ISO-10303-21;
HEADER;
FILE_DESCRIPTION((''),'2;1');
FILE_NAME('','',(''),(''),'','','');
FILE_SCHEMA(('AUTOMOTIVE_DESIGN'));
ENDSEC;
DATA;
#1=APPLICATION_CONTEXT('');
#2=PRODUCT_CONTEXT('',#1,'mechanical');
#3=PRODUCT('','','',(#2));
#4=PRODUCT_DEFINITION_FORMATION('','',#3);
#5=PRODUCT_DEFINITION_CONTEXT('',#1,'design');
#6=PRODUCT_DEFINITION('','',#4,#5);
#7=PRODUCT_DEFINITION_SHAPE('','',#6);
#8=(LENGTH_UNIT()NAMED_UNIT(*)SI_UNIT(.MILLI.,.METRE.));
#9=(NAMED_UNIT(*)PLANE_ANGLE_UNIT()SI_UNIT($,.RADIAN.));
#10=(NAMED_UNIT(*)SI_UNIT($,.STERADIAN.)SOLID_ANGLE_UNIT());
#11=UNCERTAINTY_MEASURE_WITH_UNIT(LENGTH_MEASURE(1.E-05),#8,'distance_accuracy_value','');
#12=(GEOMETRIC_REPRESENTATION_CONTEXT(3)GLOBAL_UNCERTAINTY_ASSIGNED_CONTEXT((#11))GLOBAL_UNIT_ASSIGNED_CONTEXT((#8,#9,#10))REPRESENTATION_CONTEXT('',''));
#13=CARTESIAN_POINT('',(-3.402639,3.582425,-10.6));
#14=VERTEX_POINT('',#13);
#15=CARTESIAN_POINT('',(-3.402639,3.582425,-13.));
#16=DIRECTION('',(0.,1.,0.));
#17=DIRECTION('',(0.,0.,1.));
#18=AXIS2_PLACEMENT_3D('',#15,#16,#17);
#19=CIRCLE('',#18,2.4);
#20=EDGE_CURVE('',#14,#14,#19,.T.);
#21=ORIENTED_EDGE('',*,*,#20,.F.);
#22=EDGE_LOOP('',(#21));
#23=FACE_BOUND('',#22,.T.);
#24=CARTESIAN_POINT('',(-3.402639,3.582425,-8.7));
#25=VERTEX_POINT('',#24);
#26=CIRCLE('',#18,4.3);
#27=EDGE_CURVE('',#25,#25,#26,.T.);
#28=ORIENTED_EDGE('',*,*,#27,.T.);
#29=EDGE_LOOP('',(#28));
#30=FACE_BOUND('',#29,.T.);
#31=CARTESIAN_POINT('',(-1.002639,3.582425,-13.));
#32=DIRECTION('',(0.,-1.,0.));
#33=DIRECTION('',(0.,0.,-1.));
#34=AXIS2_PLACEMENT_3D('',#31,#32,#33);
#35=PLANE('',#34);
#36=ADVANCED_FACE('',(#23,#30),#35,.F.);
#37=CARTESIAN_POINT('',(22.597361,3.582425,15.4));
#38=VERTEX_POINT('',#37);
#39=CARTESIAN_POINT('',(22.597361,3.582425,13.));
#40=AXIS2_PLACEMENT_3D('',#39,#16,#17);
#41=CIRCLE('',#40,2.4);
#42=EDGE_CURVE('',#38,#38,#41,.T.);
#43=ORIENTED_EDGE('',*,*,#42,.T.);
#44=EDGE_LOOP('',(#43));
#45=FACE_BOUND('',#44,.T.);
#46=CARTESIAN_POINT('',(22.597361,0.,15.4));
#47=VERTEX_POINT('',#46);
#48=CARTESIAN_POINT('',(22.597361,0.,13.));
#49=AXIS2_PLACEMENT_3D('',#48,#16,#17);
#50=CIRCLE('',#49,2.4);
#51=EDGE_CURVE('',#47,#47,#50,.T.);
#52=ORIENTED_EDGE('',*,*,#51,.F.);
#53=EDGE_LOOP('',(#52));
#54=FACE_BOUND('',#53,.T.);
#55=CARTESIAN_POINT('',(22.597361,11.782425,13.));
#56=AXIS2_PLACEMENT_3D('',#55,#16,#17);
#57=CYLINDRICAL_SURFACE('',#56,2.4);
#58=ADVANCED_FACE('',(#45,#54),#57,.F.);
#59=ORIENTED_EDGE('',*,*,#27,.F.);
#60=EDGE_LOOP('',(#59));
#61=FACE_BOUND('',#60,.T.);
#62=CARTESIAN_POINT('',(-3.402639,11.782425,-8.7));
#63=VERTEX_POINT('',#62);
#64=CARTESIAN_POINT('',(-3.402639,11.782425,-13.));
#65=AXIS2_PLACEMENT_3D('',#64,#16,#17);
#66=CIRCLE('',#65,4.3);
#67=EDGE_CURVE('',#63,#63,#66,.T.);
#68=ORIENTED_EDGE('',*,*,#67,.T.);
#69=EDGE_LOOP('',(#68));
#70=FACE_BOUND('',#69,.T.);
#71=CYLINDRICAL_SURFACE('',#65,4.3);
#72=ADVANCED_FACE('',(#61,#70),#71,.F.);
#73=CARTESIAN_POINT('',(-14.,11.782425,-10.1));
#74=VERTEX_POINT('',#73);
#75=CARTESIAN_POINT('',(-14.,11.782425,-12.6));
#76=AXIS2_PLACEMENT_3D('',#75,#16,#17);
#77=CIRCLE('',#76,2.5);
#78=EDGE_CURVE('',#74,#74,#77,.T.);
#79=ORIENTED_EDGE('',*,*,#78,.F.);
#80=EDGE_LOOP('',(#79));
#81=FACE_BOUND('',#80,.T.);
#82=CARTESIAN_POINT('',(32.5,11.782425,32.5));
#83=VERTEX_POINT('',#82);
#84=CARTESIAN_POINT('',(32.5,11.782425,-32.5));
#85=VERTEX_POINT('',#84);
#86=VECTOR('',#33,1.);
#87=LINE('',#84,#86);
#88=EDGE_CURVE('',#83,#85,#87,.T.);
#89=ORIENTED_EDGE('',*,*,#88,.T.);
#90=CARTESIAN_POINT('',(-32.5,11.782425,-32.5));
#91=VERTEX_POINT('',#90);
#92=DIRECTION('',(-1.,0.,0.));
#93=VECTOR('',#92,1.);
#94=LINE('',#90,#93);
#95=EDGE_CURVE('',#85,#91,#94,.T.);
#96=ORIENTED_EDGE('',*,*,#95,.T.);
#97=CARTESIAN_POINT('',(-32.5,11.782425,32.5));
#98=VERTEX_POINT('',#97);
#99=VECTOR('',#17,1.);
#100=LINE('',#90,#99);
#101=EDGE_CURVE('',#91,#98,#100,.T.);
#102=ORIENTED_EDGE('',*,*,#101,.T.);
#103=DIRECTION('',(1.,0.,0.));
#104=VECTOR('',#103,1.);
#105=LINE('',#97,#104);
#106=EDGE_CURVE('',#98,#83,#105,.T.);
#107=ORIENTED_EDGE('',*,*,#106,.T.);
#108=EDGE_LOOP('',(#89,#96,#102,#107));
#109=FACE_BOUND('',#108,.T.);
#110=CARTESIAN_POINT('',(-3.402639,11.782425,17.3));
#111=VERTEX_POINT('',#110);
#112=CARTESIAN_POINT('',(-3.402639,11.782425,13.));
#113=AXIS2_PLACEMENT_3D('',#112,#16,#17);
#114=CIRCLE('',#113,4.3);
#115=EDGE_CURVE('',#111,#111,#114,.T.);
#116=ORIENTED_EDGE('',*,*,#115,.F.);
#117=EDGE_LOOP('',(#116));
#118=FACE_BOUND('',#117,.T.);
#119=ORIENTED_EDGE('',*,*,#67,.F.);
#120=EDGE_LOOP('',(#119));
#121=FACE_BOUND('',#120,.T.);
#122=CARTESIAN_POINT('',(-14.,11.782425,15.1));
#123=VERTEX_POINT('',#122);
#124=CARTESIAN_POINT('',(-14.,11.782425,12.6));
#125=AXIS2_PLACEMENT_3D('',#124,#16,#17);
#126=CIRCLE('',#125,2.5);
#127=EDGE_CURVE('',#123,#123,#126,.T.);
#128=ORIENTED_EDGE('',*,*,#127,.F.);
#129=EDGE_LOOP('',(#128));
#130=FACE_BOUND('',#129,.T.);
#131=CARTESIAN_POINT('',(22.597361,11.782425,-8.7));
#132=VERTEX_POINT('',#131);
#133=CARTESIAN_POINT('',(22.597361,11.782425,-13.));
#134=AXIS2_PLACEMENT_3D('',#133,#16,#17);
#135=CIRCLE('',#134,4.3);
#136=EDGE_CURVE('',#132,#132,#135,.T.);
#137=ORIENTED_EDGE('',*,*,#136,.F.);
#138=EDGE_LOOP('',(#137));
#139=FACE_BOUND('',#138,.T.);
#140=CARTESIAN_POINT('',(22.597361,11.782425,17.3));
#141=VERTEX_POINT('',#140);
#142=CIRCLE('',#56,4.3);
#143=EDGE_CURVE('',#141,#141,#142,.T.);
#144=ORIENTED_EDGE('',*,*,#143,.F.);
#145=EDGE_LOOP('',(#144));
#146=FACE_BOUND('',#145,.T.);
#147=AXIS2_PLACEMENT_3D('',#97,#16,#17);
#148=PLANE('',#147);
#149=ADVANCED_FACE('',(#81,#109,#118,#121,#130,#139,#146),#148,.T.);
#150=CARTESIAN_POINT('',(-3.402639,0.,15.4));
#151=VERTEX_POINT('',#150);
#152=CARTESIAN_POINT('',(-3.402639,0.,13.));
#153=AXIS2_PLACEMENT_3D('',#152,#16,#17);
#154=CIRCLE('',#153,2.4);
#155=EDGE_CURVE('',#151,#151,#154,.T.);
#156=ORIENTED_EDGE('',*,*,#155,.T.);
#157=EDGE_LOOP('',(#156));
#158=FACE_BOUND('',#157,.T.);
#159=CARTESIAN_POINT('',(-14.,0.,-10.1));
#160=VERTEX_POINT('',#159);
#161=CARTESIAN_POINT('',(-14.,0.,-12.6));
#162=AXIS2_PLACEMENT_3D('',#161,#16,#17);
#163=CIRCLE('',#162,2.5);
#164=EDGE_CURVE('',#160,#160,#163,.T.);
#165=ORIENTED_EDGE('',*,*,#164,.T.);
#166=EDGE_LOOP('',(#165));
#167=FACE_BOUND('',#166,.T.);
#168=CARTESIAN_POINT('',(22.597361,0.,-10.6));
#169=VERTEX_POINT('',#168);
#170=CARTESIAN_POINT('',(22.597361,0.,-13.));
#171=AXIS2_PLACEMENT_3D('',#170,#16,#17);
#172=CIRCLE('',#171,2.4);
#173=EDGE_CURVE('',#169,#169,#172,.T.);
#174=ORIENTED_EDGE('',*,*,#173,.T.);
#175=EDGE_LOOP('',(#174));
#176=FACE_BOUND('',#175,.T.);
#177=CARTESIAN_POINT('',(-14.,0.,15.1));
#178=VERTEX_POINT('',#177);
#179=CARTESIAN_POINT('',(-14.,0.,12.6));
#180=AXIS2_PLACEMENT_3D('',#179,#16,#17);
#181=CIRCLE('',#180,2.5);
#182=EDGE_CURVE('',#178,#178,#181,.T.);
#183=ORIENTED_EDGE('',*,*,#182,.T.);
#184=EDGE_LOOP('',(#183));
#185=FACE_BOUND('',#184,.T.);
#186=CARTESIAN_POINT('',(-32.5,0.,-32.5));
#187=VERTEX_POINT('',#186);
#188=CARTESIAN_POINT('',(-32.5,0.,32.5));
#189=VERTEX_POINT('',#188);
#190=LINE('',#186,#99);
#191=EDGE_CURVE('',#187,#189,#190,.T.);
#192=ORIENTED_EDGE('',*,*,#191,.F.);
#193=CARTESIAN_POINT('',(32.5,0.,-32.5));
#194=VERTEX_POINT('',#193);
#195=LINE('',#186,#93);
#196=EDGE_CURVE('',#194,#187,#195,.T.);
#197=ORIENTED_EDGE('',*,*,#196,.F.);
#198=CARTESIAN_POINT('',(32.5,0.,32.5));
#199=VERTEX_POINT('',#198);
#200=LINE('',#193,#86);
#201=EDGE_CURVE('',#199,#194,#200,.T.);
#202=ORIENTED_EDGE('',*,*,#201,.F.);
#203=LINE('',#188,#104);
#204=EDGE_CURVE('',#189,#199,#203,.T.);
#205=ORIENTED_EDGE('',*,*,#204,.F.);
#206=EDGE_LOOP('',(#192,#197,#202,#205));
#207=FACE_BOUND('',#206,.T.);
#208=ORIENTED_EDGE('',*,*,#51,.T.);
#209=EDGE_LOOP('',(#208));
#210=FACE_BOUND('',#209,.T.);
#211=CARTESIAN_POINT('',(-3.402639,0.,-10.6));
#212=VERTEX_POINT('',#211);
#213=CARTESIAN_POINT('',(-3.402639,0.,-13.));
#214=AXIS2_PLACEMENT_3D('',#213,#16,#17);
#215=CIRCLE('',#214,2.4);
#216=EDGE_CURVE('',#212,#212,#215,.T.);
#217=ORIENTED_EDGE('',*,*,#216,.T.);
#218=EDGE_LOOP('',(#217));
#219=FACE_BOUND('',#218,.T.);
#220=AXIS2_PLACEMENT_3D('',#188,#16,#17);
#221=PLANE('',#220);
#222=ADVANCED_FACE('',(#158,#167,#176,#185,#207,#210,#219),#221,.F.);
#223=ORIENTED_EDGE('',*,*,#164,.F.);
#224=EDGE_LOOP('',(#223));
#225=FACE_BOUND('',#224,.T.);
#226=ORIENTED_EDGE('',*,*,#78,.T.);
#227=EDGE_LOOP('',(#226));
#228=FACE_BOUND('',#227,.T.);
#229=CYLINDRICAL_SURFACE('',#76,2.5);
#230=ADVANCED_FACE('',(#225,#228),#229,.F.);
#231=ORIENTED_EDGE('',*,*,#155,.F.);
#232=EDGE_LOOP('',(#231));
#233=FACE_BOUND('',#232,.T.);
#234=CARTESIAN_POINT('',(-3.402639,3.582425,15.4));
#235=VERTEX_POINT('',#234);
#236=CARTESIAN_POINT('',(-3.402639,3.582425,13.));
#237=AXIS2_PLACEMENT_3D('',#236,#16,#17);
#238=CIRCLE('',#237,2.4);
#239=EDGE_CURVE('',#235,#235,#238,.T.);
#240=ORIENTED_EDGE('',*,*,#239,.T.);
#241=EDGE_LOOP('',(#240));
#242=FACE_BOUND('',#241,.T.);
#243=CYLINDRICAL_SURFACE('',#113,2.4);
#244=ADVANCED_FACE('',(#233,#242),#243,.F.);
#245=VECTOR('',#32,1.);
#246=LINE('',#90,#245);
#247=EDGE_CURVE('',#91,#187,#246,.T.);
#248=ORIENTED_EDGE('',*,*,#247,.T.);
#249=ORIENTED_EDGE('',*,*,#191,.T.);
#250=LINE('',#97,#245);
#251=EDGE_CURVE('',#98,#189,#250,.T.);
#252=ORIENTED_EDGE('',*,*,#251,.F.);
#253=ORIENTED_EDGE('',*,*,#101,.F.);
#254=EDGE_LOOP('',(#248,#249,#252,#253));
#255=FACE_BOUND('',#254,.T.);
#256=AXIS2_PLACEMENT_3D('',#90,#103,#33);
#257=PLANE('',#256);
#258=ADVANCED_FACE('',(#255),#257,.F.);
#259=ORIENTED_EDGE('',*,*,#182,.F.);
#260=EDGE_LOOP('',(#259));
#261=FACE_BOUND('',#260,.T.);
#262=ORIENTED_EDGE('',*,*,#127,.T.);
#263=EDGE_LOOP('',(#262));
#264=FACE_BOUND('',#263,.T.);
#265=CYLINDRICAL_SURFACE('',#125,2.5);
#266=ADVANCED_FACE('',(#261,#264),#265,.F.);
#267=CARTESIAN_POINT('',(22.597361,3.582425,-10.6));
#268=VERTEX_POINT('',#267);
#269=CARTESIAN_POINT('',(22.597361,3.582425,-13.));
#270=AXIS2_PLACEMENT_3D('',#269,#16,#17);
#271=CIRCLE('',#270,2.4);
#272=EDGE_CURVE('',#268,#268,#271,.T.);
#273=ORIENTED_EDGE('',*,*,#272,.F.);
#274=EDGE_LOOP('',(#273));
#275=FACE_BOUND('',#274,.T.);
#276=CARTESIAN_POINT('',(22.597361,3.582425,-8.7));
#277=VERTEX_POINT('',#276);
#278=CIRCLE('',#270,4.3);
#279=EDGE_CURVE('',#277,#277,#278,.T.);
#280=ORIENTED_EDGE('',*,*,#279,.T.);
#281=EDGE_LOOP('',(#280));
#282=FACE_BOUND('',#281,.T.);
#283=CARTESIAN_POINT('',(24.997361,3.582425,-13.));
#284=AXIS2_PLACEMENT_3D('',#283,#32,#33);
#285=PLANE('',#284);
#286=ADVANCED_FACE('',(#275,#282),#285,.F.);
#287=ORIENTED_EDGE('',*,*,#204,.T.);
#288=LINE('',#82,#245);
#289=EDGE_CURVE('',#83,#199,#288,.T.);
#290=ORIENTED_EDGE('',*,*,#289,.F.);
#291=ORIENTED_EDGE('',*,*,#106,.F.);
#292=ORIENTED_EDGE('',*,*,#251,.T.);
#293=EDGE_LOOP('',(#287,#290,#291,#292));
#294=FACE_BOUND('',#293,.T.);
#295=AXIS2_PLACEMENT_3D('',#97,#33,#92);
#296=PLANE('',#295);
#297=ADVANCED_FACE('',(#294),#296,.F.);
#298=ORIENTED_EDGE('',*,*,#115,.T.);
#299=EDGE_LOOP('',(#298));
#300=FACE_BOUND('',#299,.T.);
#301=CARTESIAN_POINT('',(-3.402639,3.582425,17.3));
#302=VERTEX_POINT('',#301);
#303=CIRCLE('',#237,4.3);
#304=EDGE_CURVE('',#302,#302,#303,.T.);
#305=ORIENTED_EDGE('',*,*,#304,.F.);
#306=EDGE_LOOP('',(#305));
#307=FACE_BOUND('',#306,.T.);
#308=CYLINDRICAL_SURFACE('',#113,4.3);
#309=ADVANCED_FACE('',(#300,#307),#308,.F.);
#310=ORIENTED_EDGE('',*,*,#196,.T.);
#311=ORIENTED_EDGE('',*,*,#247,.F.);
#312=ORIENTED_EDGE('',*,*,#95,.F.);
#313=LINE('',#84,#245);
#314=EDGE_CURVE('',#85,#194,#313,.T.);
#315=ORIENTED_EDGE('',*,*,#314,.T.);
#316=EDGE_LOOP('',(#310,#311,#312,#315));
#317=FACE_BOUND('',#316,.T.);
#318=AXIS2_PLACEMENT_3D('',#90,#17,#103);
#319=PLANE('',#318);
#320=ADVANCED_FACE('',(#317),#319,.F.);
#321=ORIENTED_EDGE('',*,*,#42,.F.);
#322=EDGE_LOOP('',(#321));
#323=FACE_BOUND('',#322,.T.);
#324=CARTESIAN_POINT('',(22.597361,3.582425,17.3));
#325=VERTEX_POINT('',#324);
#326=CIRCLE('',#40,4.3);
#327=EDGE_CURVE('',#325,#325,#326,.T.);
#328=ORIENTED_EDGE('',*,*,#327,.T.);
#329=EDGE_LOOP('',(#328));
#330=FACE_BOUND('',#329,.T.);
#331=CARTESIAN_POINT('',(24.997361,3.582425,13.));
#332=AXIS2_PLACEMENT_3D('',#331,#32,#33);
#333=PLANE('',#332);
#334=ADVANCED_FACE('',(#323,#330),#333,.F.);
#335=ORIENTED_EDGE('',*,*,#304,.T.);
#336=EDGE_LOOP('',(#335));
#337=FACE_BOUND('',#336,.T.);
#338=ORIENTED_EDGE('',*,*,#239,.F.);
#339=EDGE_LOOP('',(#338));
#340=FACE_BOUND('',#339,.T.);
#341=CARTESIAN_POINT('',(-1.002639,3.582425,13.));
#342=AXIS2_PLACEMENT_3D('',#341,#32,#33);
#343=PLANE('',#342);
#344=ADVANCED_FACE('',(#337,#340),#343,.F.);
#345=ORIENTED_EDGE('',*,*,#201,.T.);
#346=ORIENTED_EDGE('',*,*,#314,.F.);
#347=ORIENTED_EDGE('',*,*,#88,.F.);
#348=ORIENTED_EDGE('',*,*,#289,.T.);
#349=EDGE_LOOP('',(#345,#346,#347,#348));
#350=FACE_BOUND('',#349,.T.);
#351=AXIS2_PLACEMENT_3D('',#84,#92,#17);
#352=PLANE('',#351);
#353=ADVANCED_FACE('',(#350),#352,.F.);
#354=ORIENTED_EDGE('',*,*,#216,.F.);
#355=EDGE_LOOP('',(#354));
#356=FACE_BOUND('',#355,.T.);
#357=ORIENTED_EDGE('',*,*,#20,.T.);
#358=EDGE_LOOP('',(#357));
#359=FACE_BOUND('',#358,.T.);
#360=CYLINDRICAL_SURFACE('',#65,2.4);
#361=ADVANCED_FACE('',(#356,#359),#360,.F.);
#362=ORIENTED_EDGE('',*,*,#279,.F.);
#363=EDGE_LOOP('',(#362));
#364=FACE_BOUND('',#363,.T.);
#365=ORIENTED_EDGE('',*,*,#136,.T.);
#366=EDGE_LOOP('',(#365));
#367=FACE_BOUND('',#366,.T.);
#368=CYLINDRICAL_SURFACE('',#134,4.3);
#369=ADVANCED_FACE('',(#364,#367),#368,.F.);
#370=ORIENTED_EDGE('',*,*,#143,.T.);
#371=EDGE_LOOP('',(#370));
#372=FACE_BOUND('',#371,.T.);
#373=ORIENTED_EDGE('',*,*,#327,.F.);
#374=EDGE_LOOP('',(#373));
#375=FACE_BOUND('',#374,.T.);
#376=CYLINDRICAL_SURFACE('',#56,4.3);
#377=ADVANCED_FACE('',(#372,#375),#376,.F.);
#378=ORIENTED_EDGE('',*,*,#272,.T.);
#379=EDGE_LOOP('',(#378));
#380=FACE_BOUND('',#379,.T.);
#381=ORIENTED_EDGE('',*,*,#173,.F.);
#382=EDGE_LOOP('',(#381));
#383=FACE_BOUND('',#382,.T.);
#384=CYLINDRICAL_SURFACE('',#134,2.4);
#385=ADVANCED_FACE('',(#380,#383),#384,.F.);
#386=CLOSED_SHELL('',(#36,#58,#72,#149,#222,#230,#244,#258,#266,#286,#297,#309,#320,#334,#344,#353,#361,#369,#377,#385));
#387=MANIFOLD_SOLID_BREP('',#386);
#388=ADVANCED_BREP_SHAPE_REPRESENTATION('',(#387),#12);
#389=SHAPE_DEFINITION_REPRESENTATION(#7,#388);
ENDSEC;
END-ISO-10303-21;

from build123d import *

# Parameters (mm, degrees)
SKETCH1_W                       = 65
SKETCH1_H                       = 65
EXTRUDE1_DEPTH                  = 11.7824246
M6X1_0_TAPPED_HOLE1_D           = 5
CBORE_FOR_M4_SBHCS1_D           = 4.8
CBORE_FOR_M4_SBHCS1_CBORE_D     = 8.6
CBORE_FOR_M4_SBHCS1_CBORE_DEPTH = 8.2


with BuildPart() as part:
    # Sketch1 → Extrude1 (new body)
    with BuildSketch(Plane(origin=(0, 0, 0), x_dir=(1, 0, 0), z_dir=(0, 1, 0))):
        Rectangle(SKETCH1_W, SKETCH1_H)
    extrude(amount=EXTRUDE1_DEPTH)

    # M6x1.0 Tapped Hole1 (through all)
    with Locations(Plane(origin=(0, 11.7824246, 0), x_dir=(-1, 0, 0), z_dir=(0, 1, 0))):
        with Locations((14, -12.6), (14, 12.6)):
            Hole(M6X1_0_TAPPED_HOLE1_D / 2)

    # CBORE for M4 SBHCS1 (through all)
    with Locations(Plane(origin=(0, 11.7824246, 0), x_dir=(-1, 0, 0), z_dir=(0, 1, 0))):
        with Locations((3.402638838, 13), (-22.597361162, 13), (-22.597361162, -13), (3.402638838, -13)):
            CounterBoreHole(CBORE_FOR_M4_SBHCS1_D / 2, CBORE_FOR_M4_SBHCS1_CBORE_D / 2, CBORE_FOR_M4_SBHCS1_CBORE_DEPTH)


solid = part.part
